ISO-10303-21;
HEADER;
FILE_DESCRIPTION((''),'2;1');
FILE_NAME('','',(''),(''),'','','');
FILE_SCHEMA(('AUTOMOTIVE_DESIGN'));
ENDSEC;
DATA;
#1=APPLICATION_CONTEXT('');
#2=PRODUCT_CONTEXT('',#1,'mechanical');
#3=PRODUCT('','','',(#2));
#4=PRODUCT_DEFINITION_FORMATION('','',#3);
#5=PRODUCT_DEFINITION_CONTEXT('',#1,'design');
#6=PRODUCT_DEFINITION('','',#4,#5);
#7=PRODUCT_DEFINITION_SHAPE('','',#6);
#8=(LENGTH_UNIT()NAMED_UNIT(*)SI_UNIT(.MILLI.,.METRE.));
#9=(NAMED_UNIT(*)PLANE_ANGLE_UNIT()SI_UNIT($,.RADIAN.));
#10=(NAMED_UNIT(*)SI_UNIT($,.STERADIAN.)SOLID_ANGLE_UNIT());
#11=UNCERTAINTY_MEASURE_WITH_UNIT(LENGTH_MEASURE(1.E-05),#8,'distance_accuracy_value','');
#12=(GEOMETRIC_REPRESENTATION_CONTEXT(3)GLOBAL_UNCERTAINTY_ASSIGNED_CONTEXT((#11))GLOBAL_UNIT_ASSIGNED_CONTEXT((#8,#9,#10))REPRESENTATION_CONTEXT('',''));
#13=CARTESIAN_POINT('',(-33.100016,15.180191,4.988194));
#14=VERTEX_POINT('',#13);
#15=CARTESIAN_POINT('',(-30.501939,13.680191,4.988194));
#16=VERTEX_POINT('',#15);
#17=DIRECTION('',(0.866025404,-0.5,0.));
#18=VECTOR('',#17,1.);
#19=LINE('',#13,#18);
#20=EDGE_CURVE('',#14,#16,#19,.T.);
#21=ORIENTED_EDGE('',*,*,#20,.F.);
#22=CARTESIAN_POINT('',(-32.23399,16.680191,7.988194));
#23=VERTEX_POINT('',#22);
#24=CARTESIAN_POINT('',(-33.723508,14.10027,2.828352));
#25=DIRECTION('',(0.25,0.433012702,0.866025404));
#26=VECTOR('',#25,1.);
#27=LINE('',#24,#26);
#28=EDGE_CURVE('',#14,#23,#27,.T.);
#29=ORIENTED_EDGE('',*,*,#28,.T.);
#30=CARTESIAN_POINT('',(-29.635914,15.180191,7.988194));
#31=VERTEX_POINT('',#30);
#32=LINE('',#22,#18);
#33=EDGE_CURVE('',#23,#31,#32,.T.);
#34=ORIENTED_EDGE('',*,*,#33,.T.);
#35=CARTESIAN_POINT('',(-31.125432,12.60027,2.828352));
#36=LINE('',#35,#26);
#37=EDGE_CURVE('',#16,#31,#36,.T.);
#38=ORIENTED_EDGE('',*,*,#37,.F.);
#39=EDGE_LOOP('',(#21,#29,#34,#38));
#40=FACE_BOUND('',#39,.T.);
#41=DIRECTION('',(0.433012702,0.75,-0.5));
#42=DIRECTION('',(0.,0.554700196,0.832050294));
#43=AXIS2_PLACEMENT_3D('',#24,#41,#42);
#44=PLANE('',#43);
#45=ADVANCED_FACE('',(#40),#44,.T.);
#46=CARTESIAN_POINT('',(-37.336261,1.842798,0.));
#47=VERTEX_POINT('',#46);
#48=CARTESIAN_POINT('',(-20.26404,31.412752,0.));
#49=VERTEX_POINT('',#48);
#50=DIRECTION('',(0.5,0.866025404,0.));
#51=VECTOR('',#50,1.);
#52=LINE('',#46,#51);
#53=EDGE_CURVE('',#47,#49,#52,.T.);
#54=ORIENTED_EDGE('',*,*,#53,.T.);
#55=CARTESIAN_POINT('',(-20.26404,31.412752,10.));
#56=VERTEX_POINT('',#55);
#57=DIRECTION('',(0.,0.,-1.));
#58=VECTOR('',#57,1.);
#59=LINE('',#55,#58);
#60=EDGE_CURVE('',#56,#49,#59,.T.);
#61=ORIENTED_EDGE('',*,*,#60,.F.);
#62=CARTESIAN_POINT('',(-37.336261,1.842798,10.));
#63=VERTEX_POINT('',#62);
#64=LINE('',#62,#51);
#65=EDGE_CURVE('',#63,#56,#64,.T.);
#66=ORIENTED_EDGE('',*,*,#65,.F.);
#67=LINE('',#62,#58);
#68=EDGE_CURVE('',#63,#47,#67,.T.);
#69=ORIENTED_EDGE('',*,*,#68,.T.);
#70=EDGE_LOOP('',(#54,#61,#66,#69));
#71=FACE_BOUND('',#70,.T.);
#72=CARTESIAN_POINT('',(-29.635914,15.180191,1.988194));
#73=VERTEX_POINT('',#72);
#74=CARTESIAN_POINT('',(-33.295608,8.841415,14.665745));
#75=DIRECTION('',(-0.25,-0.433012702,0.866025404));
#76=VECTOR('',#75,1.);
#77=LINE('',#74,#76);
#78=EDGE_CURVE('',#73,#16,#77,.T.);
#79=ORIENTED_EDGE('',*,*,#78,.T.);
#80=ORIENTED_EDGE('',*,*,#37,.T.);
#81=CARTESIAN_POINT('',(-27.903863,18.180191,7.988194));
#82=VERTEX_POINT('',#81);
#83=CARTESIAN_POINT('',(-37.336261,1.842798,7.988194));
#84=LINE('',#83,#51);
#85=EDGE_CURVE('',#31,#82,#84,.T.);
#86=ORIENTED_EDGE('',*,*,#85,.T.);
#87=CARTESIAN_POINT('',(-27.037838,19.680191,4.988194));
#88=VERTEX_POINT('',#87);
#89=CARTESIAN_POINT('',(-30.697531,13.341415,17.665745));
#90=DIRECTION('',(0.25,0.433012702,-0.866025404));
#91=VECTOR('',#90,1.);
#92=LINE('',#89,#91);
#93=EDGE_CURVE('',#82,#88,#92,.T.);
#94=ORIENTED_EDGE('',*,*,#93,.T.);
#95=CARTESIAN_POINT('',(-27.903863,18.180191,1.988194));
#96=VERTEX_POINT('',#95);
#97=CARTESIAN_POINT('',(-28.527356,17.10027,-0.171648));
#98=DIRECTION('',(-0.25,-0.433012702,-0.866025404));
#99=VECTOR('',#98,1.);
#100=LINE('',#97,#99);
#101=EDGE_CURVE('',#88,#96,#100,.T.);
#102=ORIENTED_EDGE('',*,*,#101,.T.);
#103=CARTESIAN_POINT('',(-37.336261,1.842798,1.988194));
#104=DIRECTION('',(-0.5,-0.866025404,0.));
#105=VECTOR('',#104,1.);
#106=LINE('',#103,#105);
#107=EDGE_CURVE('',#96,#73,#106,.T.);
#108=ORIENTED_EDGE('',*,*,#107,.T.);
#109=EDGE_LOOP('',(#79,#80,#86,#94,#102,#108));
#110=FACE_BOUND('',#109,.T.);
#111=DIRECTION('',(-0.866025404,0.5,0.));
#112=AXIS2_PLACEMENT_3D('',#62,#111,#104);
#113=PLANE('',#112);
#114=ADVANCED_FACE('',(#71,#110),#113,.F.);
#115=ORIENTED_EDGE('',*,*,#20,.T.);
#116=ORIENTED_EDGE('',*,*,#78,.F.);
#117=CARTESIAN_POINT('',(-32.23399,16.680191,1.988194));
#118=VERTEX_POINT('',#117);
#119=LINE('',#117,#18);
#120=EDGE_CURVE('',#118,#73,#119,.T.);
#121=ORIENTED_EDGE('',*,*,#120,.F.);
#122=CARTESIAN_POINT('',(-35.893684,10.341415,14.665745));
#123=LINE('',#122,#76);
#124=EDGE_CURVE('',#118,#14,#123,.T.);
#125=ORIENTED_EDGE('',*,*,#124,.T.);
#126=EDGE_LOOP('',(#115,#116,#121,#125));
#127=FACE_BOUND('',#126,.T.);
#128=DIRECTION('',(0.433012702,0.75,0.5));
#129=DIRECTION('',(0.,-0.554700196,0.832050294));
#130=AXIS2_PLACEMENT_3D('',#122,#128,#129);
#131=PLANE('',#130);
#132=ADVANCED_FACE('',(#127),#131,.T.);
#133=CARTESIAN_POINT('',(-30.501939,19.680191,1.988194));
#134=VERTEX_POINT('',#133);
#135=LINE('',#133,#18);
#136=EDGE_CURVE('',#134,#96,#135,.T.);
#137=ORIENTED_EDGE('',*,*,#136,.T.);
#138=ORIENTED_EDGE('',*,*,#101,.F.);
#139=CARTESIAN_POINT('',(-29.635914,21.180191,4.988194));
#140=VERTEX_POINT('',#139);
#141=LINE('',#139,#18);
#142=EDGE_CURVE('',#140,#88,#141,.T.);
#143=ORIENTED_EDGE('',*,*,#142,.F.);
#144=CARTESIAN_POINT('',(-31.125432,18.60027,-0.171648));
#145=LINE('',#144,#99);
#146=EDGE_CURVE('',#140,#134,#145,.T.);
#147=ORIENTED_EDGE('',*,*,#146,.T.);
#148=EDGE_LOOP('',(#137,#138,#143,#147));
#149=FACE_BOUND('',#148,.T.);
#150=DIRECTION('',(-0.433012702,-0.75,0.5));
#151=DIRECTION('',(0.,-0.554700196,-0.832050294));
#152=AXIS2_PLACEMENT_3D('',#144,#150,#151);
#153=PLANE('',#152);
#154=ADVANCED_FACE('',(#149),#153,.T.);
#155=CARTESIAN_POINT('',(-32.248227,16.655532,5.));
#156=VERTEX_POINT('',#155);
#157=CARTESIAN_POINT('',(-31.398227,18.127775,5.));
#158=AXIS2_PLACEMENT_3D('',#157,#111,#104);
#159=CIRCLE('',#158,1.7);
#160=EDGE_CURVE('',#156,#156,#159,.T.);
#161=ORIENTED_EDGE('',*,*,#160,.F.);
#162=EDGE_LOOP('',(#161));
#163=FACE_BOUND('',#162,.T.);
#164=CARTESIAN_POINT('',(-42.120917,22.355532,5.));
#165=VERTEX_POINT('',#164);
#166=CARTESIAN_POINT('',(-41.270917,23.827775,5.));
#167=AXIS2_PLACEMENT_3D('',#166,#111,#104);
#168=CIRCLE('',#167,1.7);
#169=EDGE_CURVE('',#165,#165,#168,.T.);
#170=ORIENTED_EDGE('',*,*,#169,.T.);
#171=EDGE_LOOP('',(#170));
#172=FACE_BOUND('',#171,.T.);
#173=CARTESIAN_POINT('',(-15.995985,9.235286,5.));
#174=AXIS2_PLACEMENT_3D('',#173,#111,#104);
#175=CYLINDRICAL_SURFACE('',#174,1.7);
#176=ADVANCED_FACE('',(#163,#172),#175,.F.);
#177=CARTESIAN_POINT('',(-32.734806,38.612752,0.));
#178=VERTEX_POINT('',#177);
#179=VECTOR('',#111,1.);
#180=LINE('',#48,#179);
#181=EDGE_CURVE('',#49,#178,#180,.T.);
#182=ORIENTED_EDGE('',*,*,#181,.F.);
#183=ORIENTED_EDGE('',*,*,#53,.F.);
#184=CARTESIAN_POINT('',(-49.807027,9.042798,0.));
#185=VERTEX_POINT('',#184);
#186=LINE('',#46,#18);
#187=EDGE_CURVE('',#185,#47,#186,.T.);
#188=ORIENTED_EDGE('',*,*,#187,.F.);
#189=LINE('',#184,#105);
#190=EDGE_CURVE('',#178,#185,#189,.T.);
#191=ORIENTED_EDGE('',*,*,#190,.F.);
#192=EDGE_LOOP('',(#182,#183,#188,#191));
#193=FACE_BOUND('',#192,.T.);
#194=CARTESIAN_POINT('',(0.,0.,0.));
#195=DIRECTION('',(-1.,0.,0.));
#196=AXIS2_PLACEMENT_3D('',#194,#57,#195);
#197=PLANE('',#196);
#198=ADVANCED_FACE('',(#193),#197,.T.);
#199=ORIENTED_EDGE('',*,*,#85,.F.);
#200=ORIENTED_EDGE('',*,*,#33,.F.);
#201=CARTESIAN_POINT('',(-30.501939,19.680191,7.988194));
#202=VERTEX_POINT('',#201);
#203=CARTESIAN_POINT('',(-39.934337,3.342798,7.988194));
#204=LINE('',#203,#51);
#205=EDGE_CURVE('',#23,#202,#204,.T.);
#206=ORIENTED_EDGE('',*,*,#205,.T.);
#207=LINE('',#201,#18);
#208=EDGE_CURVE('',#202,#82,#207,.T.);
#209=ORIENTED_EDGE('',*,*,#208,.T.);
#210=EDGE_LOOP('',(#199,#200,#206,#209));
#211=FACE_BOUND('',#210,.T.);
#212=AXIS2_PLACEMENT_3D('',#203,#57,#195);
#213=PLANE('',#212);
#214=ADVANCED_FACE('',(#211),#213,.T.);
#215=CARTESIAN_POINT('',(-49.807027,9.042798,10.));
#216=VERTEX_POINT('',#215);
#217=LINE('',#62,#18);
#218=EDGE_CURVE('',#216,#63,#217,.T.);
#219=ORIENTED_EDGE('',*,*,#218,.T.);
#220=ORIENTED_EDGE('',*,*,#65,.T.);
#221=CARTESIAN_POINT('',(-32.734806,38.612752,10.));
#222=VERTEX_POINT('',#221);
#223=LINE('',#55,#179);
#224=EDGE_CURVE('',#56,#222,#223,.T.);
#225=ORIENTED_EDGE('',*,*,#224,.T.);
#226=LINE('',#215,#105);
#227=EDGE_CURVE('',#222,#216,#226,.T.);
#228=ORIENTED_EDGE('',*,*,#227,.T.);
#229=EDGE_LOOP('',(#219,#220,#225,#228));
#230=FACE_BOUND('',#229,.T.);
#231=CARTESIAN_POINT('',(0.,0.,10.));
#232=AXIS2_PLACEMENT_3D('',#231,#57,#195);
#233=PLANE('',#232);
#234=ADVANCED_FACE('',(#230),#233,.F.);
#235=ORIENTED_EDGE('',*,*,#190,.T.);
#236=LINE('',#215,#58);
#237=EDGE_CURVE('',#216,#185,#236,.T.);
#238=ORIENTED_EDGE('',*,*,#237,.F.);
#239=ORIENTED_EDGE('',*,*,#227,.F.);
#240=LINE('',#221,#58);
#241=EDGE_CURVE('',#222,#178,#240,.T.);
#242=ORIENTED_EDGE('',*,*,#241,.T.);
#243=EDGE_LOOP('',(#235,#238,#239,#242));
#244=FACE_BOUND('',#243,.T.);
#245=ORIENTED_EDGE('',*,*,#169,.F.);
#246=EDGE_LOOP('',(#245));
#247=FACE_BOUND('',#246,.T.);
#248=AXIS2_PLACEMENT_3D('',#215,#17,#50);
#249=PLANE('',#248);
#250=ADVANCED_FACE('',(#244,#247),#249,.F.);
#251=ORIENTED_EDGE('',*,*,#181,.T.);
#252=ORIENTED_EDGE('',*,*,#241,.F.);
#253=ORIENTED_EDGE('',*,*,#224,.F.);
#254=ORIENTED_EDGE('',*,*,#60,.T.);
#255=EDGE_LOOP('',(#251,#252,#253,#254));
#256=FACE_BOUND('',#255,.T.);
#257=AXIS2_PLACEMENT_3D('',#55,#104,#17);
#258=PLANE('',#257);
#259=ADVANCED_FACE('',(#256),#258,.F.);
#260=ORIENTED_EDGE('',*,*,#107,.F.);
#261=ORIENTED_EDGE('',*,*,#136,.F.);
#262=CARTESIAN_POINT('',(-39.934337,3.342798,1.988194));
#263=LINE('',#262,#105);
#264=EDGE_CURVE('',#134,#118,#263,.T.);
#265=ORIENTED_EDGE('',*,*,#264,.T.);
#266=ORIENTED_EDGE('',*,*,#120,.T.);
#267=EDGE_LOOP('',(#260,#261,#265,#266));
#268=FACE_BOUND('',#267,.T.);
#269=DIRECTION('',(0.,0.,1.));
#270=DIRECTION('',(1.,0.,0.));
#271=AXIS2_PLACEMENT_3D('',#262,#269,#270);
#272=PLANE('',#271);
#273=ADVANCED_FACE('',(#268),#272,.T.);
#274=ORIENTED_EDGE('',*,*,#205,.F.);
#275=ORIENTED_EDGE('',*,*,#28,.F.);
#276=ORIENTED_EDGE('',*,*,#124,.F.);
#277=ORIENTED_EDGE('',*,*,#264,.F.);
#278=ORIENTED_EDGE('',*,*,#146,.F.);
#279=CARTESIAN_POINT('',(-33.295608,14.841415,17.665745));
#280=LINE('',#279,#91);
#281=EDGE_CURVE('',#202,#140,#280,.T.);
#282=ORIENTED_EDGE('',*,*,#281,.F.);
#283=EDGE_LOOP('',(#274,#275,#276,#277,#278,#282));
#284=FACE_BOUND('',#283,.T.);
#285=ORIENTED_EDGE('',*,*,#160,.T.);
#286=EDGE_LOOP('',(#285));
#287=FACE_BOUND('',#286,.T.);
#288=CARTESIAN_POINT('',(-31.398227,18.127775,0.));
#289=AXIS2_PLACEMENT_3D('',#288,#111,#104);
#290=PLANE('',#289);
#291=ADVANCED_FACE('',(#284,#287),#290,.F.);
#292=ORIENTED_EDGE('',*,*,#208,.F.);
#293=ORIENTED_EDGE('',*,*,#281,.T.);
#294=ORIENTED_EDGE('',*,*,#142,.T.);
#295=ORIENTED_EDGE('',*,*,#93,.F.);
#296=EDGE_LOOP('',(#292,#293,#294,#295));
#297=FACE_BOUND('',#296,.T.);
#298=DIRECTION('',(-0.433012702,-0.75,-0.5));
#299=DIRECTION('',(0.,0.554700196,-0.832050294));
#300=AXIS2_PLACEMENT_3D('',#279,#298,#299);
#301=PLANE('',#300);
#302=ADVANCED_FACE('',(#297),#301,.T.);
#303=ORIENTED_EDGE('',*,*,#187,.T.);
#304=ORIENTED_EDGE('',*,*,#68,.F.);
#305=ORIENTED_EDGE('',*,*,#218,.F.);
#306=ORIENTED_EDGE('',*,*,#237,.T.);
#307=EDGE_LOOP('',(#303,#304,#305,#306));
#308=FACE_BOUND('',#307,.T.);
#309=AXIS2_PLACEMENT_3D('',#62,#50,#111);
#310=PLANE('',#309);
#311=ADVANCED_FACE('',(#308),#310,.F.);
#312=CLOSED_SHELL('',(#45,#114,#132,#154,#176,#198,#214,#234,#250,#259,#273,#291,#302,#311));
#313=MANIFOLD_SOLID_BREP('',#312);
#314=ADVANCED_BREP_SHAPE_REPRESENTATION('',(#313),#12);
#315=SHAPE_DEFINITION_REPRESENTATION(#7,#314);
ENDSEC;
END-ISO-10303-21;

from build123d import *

# Parameters (mm, degrees)
RESSALTO_EXTRUS_O1_DEPTH = 10
ESBO_O3_R                = 1.7
CORTE_EXTRUS_O1_DEPTH    = 33.009811874
CORTE_EXTRUS_O3_START    = -11.4
ESBO_O3_4_R              = 1.7
CORTE_EXTRUS_O3_DEPTH    = 3


with BuildPart() as part:
    # Esboço2 → Ressalto-extrusão1 (new body)
    with BuildSketch(Plane.XY):
        Polygon((-49.807026949, 9.042797905), (-32.734806181, 38.612751673), (-20.264040367, 31.412751673), (-37.336261135, 1.842797905), align=None)
    extrude(amount=RESSALTO_EXTRUS_O1_DEPTH)

    # Esboço3 → Corte-extrusão1 (cut, through all)
    with BuildSketch(Plane(origin=(-41.270916565, 23.827774789, 0), x_dir=(0, 0, 1), z_dir=(-0.8660254037844386, 0.5000000000000003, 0))):
        with Locations(Location((5, 0, 0), (0, 0, 270))):
            Circle(ESBO_O3_R)
    extrude(amount=-CORTE_EXTRUS_O1_DEPTH, mode=Mode.SUBTRACT)

    # Esboço3<4> → Corte-extrusão3 (cut)
    with BuildSketch(Plane(origin=(-41.270916565, 23.827774789, 0), x_dir=(0, 0, 1), z_dir=(-0.8660254037844386, 0.5000000000000003, 0)).offset(CORTE_EXTRUS_O3_START)):
        Polygon((4.988193566, 3.524626071), (1.988193566, 1.792575264), (1.988193566, -1.671526352), (4.988193566, -3.403577159), (7.988193566, -1.671526352), (7.988193566, 1.792575264), align=None)
        with Locations(Location((5, 0, 0), (0, 0, 270))):
            Circle(ESBO_O3_4_R, mode=Mode.SUBTRACT)
    extrude(amount=-CORTE_EXTRUS_O3_DEPTH, mode=Mode.SUBTRACT)


solid = part.part
